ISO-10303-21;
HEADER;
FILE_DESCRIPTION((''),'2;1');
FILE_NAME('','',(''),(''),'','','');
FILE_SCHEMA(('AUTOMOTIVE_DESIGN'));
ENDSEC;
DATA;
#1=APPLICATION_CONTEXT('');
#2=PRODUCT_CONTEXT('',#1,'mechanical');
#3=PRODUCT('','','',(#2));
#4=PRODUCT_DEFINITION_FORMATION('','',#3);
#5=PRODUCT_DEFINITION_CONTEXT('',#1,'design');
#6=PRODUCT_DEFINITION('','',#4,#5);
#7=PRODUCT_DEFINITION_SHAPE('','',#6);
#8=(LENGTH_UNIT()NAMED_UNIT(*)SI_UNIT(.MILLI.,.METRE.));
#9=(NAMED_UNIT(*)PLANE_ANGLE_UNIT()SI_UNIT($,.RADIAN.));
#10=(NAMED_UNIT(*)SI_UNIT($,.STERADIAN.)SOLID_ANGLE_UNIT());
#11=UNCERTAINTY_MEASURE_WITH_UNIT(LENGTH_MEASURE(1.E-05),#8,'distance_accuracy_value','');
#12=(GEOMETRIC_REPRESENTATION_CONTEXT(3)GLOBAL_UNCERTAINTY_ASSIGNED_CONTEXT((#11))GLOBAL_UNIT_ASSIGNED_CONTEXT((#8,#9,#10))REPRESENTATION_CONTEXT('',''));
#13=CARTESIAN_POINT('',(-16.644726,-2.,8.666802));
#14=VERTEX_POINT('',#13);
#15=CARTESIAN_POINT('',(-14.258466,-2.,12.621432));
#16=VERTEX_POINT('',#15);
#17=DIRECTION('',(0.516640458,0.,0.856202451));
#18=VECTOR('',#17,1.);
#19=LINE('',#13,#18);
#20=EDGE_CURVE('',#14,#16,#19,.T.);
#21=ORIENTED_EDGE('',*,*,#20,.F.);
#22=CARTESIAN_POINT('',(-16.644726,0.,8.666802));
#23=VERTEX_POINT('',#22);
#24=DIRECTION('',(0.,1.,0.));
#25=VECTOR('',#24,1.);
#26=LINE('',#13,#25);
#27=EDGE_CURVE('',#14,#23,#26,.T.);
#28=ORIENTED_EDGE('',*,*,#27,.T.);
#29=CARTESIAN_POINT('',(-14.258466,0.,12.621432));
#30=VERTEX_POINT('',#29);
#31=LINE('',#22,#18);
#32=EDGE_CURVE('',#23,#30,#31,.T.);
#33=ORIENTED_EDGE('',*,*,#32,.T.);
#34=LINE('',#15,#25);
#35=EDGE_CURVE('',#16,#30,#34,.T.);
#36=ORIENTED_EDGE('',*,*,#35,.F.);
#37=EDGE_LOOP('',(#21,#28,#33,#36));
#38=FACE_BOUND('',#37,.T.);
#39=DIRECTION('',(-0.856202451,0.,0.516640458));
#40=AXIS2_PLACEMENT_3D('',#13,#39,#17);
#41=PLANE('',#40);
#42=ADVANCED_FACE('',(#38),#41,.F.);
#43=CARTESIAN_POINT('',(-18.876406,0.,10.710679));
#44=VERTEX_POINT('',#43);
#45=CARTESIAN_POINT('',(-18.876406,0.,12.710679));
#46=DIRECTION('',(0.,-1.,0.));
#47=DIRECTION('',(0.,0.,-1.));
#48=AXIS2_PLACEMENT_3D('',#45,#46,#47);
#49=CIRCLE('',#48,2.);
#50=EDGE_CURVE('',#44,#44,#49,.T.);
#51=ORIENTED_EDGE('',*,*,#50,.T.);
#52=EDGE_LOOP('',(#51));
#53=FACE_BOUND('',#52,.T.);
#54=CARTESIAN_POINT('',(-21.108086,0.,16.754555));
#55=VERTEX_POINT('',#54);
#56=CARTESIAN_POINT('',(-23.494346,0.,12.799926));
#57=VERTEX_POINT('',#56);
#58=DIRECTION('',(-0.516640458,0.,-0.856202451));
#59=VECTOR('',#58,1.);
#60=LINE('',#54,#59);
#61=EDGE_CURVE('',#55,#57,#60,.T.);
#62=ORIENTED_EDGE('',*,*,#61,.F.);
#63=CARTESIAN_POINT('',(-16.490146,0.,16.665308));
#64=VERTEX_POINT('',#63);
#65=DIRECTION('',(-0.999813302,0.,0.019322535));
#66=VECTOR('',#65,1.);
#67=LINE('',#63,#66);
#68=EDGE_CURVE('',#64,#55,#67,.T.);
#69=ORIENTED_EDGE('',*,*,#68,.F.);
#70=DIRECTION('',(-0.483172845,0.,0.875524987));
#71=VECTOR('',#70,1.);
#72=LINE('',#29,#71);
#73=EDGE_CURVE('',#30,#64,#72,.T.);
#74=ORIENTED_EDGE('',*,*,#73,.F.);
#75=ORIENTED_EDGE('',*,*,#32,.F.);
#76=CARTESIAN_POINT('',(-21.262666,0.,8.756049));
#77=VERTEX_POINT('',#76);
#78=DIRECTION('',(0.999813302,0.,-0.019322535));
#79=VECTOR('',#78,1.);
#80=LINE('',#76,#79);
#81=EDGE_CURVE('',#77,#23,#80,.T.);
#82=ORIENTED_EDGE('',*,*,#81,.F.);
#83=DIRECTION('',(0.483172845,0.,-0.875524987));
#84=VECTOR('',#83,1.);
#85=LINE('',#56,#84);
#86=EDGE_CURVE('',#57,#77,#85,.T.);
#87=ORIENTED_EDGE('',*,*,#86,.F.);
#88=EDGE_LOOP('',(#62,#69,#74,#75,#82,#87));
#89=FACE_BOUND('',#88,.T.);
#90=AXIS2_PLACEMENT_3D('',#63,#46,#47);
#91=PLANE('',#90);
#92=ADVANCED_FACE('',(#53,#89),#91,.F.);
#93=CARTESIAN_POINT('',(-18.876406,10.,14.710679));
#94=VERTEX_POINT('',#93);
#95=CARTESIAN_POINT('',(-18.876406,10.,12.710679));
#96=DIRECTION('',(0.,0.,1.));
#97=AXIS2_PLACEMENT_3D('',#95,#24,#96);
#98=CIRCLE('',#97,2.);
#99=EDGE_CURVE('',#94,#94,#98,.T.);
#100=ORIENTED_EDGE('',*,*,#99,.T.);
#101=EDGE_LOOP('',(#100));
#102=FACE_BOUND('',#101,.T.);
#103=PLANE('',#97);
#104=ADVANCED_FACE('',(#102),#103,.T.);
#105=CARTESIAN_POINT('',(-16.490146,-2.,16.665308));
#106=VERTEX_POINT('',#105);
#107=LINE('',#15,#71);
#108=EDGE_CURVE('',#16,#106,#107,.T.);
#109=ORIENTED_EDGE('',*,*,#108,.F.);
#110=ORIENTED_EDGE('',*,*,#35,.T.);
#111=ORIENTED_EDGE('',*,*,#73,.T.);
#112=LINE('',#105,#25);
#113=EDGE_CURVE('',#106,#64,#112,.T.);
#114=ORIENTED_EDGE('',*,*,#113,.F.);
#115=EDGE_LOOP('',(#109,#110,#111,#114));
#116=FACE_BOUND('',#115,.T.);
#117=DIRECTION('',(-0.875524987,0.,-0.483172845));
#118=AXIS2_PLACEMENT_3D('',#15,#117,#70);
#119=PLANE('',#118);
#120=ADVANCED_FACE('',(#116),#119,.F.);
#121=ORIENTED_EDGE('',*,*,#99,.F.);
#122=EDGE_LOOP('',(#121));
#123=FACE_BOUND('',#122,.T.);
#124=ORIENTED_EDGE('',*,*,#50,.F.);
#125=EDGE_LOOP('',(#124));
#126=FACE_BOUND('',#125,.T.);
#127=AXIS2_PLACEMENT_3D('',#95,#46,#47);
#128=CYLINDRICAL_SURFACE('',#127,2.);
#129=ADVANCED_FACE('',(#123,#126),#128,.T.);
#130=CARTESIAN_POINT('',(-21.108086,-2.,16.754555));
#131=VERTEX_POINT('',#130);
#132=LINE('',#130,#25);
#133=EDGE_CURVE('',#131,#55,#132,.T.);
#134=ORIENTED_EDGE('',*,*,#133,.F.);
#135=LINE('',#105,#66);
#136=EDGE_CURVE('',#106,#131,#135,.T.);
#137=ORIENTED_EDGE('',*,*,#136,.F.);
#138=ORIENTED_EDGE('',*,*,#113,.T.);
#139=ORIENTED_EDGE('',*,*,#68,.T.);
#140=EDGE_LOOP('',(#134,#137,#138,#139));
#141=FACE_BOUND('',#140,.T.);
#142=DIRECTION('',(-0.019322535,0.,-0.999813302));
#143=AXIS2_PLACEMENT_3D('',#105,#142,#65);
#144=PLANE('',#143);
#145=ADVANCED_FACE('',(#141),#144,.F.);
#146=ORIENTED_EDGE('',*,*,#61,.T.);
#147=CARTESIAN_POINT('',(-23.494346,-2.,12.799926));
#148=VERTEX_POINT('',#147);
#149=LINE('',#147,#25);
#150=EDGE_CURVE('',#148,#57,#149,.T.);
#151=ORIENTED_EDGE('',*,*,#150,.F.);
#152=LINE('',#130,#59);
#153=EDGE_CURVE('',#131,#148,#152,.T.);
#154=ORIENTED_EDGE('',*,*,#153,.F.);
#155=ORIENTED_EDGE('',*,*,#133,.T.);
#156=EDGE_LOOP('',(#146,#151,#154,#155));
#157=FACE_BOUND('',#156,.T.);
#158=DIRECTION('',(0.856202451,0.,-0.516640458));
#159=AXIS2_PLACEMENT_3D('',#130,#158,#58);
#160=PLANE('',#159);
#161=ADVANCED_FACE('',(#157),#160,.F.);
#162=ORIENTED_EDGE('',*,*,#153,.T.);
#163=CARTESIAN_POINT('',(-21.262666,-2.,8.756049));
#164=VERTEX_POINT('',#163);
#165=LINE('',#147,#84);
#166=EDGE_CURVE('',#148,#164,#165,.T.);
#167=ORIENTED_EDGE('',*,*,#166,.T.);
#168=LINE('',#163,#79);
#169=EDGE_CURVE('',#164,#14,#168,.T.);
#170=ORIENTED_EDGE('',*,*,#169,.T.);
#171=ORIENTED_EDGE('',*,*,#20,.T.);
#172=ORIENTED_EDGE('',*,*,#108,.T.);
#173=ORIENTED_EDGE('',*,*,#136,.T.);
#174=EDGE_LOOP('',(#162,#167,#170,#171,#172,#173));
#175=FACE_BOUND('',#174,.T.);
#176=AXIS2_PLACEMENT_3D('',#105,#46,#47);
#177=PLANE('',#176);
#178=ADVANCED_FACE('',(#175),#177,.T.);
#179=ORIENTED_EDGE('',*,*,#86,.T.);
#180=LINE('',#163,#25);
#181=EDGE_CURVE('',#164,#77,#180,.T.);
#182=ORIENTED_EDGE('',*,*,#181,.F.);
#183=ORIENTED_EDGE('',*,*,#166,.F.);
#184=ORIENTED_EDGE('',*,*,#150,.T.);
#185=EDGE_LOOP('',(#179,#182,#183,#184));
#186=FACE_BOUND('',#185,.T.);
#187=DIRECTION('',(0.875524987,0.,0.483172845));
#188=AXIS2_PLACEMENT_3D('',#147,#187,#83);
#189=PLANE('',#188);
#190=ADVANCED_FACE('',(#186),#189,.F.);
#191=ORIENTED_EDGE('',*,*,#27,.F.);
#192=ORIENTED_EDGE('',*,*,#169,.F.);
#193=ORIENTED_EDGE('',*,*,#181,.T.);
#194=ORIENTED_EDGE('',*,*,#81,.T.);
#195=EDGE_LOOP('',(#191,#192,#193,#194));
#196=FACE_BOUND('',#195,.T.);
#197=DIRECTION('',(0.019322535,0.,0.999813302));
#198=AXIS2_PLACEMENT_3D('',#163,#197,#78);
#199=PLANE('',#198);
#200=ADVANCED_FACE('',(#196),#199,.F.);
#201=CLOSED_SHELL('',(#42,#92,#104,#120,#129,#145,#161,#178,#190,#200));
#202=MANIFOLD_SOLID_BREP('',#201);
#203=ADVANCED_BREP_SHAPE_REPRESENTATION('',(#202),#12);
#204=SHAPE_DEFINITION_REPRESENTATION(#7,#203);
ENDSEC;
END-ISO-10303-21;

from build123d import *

# Parameters (mm, degrees)
SKETCH1_R           = 2
BOSS_EXTRUDE1_DEPTH = 10
BOSS_EXTRUDE4_DEPTH = 2


with BuildPart() as part:
    # Sketch1 → Boss-Extrude1 (new body)
    with BuildSketch(Plane(origin=(0, 0, 0), x_dir=(1, 0, 0), z_dir=(0, 1, 0))):
        with Locations((-18.876405997, -12.710678642)):
            Circle(SKETCH1_R)
    extrude(amount=BOSS_EXTRUDE1_DEPTH)

    # Sketch4 → Boss-Extrude4 (add)
    with BuildSketch(Plane.XZ):
        Polygon((-16.490145939, 16.665308368), (-21.108085773, 16.754555336), (-23.494345831, 12.79992561), (-21.262666056, 8.756048917), (-16.644726221, 8.666801949), (-14.258466163, 12.621431674), align=None)
    extrude(amount=BOSS_EXTRUDE4_DEPTH)


solid = part.part
